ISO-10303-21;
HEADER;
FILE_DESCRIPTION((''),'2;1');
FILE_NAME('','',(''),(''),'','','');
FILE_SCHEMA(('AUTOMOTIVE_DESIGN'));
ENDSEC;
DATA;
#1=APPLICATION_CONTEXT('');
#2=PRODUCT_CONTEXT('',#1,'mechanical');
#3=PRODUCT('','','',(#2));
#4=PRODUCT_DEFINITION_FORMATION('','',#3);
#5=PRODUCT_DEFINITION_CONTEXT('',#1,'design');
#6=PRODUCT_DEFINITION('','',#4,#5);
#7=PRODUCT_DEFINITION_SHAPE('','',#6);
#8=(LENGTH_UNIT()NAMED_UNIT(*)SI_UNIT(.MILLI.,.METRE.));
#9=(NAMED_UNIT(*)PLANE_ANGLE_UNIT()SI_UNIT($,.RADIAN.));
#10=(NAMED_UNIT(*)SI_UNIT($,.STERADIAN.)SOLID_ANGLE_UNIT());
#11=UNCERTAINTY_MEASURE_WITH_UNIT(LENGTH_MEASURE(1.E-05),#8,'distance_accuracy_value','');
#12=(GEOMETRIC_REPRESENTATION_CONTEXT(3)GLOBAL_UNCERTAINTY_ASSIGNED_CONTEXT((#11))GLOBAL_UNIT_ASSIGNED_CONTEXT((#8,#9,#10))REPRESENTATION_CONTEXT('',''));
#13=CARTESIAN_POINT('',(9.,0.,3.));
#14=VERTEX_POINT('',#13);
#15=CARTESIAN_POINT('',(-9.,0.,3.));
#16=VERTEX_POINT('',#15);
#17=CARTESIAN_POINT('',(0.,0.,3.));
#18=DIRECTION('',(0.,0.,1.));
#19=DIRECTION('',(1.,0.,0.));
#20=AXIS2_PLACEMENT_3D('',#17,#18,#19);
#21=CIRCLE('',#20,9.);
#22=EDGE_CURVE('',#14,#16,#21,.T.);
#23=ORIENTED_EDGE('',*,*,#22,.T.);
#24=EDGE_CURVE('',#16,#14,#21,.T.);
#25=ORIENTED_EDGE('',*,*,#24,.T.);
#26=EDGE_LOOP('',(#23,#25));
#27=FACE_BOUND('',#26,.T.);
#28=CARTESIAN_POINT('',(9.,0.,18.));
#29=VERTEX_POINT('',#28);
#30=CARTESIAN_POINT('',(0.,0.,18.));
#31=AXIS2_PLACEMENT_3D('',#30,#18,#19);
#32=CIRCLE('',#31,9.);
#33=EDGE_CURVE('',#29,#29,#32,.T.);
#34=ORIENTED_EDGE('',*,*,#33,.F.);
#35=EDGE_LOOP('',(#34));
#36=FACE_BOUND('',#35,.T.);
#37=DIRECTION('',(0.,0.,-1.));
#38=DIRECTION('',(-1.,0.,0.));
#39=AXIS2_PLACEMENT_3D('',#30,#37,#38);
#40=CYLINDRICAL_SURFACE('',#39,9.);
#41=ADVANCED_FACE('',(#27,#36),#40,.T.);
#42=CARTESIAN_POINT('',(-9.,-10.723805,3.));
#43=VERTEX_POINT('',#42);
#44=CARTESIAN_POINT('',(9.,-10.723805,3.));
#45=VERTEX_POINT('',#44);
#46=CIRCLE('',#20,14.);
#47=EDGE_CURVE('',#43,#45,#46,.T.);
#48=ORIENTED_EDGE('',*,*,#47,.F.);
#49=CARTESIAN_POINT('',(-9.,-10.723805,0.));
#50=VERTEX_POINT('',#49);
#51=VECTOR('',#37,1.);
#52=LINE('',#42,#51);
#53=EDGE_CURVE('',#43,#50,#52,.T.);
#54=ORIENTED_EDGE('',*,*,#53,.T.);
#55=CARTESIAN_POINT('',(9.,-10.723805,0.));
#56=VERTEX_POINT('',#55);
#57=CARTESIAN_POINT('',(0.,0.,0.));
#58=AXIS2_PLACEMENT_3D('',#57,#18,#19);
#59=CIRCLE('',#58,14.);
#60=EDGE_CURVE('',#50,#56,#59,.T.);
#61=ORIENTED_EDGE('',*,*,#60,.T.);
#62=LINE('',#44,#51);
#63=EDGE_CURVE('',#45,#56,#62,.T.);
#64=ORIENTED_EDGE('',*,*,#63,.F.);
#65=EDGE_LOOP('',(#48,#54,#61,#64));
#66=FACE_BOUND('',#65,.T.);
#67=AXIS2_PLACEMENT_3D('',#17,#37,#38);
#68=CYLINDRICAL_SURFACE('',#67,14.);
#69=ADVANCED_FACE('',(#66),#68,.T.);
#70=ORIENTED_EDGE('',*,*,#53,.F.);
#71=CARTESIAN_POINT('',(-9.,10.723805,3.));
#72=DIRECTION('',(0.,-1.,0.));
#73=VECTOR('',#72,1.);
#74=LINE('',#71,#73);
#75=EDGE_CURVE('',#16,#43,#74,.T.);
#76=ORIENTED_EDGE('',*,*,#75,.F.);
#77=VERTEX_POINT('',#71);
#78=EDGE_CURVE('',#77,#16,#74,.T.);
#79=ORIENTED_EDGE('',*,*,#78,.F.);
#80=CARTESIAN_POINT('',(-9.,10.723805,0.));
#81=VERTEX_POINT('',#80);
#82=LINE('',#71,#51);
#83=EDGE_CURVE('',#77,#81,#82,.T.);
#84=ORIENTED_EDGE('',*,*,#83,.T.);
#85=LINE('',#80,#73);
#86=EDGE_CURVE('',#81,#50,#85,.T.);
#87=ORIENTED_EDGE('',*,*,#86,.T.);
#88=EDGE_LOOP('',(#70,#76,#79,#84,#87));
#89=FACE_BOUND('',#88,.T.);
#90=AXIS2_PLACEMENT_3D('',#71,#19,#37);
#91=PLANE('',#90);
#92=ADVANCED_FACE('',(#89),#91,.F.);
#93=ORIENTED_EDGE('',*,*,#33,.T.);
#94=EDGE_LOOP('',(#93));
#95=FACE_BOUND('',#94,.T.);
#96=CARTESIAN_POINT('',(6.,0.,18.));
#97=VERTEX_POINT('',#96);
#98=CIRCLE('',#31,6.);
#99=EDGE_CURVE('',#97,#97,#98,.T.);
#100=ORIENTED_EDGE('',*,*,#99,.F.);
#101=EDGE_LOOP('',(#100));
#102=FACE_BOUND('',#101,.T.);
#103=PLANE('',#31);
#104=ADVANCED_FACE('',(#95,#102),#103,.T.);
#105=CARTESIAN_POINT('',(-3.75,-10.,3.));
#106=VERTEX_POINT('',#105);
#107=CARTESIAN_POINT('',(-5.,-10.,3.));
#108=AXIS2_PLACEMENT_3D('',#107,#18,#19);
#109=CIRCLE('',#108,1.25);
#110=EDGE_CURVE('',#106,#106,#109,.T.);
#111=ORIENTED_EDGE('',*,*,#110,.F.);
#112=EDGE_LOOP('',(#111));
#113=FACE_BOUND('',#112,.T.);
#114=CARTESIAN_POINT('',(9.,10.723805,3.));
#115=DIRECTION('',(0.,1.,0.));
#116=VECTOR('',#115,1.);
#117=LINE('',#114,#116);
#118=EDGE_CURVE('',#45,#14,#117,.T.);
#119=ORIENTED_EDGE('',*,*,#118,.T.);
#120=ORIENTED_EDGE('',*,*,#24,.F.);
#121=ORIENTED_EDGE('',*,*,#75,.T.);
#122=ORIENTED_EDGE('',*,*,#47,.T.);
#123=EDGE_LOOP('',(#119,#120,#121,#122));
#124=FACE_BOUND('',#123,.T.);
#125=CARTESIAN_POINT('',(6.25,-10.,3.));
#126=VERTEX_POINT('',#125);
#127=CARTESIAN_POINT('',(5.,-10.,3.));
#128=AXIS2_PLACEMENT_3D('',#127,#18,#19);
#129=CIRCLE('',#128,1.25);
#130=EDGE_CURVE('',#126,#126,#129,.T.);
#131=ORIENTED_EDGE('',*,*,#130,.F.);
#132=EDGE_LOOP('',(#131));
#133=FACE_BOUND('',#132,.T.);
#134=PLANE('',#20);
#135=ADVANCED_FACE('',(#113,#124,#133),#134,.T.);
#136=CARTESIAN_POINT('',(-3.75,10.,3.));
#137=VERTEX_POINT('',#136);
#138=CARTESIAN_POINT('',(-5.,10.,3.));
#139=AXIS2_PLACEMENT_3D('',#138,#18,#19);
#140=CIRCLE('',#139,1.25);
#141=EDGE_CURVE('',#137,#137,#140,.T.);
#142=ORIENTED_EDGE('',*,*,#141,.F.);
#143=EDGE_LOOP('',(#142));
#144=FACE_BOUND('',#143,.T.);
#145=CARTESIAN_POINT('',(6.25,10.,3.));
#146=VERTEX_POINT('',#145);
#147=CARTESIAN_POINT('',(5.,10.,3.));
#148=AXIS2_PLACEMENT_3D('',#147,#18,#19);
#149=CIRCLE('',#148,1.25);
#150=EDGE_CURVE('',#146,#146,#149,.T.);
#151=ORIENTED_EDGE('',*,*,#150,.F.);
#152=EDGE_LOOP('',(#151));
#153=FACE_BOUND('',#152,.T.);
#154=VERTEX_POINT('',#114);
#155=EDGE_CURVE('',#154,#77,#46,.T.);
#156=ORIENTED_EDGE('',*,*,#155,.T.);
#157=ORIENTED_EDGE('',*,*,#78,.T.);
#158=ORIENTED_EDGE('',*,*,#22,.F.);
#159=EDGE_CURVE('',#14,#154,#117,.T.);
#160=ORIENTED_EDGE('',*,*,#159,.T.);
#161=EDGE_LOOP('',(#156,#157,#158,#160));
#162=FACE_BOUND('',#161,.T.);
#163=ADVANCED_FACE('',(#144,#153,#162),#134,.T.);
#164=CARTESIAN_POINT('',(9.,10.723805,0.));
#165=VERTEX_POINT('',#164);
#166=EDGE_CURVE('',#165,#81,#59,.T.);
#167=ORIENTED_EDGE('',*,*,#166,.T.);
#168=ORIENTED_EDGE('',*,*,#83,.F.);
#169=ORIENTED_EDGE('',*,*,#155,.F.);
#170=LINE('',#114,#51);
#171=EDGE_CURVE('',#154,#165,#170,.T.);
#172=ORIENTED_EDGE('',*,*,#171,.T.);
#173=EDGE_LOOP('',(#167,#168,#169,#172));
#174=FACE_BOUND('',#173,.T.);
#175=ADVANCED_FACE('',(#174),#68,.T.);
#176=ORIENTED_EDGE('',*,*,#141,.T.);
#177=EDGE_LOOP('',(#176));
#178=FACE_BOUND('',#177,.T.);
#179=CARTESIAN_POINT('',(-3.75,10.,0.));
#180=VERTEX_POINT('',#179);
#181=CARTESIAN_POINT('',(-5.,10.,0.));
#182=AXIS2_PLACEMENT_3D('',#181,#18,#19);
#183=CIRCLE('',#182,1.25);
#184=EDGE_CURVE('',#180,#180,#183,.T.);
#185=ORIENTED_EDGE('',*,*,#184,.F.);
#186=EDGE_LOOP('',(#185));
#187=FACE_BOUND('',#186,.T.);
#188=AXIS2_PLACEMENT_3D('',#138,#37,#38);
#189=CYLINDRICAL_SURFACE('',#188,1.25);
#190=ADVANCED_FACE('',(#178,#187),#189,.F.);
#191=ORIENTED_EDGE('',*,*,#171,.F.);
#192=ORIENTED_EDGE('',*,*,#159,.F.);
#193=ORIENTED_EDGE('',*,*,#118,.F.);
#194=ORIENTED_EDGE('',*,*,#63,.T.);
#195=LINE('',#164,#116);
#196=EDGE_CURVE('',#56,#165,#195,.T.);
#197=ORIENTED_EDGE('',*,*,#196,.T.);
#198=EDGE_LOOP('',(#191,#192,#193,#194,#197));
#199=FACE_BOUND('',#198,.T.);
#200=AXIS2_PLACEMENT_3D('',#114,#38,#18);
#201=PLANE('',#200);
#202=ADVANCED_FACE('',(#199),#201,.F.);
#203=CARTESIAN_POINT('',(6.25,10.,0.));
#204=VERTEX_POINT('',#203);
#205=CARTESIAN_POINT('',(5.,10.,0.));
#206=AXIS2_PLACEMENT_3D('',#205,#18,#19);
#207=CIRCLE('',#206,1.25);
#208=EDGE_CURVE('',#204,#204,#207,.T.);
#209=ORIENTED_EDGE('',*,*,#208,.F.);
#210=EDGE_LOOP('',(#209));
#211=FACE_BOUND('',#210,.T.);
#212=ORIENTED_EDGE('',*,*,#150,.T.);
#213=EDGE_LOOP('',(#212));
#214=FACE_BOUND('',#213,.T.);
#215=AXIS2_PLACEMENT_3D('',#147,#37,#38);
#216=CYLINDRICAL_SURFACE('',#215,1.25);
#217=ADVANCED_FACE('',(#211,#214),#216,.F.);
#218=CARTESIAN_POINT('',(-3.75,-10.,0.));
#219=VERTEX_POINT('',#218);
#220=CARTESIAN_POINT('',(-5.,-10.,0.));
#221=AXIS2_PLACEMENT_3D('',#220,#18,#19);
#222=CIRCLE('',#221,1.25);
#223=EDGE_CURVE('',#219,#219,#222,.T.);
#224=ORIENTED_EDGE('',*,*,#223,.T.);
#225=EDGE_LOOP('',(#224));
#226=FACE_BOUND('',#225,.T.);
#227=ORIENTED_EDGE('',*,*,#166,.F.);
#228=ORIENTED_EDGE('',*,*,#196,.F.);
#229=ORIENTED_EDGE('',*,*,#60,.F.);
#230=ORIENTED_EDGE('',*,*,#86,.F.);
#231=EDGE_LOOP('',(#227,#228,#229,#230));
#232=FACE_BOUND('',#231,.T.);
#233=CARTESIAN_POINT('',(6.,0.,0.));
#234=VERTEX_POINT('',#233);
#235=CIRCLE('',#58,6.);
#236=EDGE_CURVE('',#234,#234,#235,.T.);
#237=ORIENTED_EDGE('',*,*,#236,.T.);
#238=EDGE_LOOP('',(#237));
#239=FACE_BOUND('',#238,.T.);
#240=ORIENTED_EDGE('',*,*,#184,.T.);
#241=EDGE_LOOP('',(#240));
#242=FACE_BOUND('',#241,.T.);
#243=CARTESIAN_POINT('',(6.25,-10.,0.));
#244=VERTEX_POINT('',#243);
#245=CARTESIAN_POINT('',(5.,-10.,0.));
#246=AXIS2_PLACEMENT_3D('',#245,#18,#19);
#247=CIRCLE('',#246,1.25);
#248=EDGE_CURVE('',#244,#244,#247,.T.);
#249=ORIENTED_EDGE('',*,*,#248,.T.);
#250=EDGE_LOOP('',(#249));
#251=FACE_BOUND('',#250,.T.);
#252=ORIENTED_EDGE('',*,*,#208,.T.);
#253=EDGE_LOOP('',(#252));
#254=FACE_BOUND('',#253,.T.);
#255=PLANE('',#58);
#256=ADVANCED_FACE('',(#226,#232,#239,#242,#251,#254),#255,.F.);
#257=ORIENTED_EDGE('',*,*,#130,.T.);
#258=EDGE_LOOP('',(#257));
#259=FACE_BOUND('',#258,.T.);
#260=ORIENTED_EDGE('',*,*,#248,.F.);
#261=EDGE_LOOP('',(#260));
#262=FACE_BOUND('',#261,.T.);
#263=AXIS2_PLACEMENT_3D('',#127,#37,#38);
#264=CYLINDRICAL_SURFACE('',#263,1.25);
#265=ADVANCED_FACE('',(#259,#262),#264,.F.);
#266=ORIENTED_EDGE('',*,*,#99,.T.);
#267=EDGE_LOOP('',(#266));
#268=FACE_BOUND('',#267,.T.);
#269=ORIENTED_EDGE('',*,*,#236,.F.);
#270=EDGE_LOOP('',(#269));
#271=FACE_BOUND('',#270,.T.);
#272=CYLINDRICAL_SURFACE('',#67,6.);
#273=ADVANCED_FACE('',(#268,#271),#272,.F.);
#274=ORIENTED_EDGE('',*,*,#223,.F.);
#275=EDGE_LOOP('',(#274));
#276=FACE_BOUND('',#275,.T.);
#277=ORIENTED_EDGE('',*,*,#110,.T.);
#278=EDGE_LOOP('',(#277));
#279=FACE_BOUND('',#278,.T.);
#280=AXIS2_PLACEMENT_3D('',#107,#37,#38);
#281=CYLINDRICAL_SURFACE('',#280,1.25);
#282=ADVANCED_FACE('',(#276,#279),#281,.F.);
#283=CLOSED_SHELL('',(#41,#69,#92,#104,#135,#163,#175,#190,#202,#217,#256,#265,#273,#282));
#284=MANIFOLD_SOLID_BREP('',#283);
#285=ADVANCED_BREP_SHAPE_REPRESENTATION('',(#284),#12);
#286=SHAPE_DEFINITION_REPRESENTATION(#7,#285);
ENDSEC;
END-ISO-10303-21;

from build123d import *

# Parameters (mm, degrees)
SKETCH1_R               = 6
SKETCH1_R_2             = 1.25
BOSS_EXTRUDE1_DEPTH     = 3
SKETCH2_R               = 9
SKETCH2_R_2             = 6
LINEARBALLSUPPORT_DEPTH = 15


with BuildPart() as part:
    # Sketch1 → Boss-Extrude1 (new body)
    with BuildSketch(Plane.XY):
        with BuildLine():
            Line((-9, 10.723805295), (-9, -10.723805295))
            ThreePointArc((-9, -10.723805295), (0, -14), (9, -10.723805295))
            Line((9, -10.723805295), (9, 10.723805295))
            ThreePointArc((9, 10.723805295), (0, 14), (-9, 10.723805295))
        make_face()
        Circle(SKETCH1_R, mode=Mode.SUBTRACT)
        with Locations((-5, 10)):
            Circle(SKETCH1_R_2, mode=Mode.SUBTRACT)
        with Locations((5, 10)):
            Circle(SKETCH1_R_2, mode=Mode.SUBTRACT)
        with Locations((-5, -10)):
            Circle(SKETCH1_R_2, mode=Mode.SUBTRACT)
        with Locations((5, -10)):
            Circle(SKETCH1_R_2, mode=Mode.SUBTRACT)
    extrude(amount=BOSS_EXTRUDE1_DEPTH)

    # Sketch2 → LinearBallSupport (add)
    with BuildSketch(Plane.XY.offset(3)):
        Circle(SKETCH2_R)
        Circle(SKETCH2_R_2, mode=Mode.SUBTRACT)
    extrude(amount=LINEARBALLSUPPORT_DEPTH)


solid = part.part
